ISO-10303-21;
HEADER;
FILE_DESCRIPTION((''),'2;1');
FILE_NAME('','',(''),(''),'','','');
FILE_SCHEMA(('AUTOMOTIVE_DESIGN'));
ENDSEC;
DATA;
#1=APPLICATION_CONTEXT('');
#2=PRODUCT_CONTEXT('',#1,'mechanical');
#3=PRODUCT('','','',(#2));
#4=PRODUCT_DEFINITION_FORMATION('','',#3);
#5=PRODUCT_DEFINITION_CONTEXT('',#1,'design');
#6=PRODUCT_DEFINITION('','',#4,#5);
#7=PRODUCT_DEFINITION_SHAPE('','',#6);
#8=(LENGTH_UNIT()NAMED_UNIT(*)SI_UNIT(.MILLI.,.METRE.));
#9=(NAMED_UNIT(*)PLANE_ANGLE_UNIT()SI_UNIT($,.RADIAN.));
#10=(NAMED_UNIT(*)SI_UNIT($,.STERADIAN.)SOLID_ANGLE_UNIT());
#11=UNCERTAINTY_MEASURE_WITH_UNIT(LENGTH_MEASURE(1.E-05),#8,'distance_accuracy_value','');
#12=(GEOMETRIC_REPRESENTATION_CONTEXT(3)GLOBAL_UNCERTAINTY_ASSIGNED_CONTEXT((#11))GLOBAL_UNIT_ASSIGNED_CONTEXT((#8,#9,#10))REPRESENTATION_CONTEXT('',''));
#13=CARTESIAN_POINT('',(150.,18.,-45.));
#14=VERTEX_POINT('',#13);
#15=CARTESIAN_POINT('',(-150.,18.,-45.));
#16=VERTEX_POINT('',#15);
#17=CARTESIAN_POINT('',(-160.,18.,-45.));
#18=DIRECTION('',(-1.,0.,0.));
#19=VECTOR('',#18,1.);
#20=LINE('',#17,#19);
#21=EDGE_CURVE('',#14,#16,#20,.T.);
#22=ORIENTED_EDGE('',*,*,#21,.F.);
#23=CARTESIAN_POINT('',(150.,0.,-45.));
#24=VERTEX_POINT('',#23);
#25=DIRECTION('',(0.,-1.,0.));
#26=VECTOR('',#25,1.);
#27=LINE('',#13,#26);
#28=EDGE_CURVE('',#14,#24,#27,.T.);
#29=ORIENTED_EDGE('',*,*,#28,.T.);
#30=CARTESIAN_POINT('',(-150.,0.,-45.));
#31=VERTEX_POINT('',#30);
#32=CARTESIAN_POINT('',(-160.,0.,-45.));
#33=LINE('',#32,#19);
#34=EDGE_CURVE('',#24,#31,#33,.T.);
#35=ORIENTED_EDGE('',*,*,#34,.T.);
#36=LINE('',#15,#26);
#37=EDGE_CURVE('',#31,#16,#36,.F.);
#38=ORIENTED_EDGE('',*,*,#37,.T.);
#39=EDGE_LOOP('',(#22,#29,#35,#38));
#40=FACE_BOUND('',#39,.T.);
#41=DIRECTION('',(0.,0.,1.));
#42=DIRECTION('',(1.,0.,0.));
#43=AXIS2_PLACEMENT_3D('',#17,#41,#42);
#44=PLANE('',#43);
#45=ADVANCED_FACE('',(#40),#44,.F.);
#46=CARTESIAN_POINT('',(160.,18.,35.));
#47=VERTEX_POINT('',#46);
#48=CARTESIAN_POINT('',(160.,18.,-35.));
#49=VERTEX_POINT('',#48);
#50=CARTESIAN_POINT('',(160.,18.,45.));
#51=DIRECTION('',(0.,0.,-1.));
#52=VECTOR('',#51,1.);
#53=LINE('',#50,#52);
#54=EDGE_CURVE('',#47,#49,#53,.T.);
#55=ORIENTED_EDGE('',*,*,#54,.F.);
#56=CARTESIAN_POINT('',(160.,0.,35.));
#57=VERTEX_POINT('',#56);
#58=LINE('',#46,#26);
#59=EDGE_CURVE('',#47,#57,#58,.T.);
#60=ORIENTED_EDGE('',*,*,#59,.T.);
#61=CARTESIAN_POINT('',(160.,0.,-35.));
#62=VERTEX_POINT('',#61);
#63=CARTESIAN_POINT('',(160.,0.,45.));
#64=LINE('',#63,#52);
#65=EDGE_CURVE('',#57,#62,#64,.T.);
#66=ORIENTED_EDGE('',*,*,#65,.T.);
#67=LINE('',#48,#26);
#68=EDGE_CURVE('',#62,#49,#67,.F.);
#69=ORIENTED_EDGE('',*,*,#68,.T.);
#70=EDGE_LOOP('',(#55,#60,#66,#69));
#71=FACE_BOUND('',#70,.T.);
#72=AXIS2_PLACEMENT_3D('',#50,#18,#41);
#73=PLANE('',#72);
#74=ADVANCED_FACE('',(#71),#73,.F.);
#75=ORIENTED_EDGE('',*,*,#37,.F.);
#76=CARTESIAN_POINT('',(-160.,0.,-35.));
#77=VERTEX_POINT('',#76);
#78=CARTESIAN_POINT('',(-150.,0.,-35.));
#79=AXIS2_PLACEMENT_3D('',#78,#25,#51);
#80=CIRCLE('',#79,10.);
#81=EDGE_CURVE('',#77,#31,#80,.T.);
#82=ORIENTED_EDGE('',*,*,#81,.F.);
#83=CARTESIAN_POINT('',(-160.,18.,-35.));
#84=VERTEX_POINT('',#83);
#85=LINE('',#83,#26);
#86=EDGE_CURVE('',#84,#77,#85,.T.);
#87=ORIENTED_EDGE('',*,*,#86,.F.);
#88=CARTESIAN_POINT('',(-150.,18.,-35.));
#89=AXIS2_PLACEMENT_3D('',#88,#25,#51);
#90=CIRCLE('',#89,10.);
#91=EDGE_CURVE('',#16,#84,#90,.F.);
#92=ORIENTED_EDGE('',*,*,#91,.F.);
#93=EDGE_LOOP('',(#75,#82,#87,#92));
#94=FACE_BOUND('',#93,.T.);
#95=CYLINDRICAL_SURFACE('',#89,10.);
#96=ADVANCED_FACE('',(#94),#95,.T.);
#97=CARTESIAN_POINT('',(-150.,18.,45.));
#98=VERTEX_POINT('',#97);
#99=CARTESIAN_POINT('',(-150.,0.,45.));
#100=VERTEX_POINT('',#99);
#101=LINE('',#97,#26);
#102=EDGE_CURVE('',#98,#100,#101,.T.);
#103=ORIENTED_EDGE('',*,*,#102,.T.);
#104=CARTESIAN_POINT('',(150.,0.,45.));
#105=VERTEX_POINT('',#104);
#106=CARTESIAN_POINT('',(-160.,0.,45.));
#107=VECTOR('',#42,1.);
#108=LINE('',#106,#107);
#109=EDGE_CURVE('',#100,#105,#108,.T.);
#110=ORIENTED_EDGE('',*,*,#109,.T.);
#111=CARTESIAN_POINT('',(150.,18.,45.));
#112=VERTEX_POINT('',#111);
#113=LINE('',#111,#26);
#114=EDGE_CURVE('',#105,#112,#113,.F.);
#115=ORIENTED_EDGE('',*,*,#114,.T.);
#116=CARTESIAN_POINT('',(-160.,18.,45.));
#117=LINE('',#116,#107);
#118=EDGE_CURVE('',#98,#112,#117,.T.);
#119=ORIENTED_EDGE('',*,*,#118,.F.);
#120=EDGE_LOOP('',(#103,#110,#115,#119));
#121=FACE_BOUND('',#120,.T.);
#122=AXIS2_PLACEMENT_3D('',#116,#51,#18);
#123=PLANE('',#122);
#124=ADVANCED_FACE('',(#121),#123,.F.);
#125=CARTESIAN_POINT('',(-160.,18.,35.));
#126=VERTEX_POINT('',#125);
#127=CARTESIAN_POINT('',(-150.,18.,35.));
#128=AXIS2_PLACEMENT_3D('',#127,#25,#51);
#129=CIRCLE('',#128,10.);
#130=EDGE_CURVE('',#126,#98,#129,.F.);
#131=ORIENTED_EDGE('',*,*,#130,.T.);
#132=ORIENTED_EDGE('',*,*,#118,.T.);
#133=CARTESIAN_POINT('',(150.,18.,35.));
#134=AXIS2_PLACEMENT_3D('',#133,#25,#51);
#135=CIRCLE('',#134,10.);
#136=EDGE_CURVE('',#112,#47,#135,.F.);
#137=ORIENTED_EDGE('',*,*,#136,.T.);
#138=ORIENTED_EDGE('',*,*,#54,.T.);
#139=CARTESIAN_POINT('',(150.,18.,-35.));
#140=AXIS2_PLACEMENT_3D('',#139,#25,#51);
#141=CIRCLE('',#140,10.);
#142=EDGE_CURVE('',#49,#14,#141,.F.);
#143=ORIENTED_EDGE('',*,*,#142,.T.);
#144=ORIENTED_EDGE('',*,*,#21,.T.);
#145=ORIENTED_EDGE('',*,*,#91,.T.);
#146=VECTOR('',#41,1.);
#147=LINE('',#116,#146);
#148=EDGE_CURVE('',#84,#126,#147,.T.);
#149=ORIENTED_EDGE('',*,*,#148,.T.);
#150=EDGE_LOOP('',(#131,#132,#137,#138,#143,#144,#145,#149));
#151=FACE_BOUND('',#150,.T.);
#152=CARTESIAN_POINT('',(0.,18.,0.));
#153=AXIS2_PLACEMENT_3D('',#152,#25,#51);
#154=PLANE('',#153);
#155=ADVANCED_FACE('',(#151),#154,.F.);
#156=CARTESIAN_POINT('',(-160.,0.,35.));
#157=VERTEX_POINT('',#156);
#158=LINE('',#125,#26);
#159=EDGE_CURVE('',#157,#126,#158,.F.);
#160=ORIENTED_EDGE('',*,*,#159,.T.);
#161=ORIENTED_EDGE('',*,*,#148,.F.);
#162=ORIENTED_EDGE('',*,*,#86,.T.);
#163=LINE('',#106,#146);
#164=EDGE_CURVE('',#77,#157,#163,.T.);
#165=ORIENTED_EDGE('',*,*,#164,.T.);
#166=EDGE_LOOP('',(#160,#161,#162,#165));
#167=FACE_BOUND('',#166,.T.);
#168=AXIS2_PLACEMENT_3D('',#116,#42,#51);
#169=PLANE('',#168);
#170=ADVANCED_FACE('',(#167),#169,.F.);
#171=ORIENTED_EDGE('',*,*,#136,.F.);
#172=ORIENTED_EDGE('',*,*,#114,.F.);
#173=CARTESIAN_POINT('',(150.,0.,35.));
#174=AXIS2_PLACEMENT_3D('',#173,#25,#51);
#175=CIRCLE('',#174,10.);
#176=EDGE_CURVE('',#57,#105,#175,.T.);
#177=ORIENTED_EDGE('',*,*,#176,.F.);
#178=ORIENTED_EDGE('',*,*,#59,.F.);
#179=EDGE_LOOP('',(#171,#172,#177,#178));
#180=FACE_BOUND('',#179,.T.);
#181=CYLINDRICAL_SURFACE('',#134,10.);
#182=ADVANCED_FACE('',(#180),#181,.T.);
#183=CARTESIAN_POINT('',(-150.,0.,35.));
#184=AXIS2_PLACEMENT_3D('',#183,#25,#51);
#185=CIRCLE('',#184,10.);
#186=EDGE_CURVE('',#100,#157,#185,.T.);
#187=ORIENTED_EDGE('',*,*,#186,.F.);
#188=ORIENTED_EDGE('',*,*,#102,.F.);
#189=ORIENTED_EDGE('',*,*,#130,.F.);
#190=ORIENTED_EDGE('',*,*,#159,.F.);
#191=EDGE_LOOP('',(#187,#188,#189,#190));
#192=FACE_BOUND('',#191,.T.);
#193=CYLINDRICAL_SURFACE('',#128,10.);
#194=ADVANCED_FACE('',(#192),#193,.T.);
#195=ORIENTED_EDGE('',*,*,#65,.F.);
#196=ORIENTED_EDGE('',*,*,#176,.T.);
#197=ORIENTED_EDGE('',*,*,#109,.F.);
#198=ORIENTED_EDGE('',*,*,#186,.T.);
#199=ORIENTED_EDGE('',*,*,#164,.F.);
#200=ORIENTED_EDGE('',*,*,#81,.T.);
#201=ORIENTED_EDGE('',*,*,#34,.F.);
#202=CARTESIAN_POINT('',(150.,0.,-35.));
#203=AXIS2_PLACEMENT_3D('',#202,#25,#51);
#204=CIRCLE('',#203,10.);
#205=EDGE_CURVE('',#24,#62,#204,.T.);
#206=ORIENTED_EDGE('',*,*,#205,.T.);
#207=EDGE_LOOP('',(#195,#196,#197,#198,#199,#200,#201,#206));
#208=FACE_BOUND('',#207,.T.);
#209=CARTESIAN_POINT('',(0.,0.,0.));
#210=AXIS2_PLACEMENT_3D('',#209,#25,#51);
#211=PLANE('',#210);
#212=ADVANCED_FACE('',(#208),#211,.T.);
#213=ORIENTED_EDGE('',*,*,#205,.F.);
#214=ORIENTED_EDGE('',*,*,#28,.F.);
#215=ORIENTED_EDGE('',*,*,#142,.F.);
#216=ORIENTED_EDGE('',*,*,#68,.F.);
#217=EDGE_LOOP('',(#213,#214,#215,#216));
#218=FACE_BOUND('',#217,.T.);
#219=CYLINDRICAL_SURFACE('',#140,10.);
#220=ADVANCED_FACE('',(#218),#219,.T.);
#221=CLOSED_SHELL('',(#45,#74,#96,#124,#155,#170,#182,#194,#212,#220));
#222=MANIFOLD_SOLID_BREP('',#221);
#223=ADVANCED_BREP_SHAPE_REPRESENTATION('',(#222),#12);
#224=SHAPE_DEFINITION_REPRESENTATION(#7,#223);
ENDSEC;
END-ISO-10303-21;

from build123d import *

# Parameters (mm, degrees)
SKETCH_1_W      = 320
SKETCH_1_H      = 90
EXTRUDE_1_DEPTH = 18
FILLET_1_R      = 10


with BuildPart() as part:
    # 草图1 → 凸台-拉伸1 (new body)
    with BuildSketch(Plane(origin=(0, 0, 0), x_dir=(1, 0, 0), z_dir=(0, 1, 0))):
        Rectangle(SKETCH_1_W, SKETCH_1_H)
    extrude(amount=EXTRUDE_1_DEPTH)

    # 圆角1
    fillet_1_edges = [part.edges().sort_by_distance(p)[0] for p in [
        (-160, 9, -45),
        (160, 9, -45),
        (160, 9, 45),
        (-160, 9, 45),
    ]]
    fillet(fillet_1_edges, radius=FILLET_1_R)


solid = part.part
